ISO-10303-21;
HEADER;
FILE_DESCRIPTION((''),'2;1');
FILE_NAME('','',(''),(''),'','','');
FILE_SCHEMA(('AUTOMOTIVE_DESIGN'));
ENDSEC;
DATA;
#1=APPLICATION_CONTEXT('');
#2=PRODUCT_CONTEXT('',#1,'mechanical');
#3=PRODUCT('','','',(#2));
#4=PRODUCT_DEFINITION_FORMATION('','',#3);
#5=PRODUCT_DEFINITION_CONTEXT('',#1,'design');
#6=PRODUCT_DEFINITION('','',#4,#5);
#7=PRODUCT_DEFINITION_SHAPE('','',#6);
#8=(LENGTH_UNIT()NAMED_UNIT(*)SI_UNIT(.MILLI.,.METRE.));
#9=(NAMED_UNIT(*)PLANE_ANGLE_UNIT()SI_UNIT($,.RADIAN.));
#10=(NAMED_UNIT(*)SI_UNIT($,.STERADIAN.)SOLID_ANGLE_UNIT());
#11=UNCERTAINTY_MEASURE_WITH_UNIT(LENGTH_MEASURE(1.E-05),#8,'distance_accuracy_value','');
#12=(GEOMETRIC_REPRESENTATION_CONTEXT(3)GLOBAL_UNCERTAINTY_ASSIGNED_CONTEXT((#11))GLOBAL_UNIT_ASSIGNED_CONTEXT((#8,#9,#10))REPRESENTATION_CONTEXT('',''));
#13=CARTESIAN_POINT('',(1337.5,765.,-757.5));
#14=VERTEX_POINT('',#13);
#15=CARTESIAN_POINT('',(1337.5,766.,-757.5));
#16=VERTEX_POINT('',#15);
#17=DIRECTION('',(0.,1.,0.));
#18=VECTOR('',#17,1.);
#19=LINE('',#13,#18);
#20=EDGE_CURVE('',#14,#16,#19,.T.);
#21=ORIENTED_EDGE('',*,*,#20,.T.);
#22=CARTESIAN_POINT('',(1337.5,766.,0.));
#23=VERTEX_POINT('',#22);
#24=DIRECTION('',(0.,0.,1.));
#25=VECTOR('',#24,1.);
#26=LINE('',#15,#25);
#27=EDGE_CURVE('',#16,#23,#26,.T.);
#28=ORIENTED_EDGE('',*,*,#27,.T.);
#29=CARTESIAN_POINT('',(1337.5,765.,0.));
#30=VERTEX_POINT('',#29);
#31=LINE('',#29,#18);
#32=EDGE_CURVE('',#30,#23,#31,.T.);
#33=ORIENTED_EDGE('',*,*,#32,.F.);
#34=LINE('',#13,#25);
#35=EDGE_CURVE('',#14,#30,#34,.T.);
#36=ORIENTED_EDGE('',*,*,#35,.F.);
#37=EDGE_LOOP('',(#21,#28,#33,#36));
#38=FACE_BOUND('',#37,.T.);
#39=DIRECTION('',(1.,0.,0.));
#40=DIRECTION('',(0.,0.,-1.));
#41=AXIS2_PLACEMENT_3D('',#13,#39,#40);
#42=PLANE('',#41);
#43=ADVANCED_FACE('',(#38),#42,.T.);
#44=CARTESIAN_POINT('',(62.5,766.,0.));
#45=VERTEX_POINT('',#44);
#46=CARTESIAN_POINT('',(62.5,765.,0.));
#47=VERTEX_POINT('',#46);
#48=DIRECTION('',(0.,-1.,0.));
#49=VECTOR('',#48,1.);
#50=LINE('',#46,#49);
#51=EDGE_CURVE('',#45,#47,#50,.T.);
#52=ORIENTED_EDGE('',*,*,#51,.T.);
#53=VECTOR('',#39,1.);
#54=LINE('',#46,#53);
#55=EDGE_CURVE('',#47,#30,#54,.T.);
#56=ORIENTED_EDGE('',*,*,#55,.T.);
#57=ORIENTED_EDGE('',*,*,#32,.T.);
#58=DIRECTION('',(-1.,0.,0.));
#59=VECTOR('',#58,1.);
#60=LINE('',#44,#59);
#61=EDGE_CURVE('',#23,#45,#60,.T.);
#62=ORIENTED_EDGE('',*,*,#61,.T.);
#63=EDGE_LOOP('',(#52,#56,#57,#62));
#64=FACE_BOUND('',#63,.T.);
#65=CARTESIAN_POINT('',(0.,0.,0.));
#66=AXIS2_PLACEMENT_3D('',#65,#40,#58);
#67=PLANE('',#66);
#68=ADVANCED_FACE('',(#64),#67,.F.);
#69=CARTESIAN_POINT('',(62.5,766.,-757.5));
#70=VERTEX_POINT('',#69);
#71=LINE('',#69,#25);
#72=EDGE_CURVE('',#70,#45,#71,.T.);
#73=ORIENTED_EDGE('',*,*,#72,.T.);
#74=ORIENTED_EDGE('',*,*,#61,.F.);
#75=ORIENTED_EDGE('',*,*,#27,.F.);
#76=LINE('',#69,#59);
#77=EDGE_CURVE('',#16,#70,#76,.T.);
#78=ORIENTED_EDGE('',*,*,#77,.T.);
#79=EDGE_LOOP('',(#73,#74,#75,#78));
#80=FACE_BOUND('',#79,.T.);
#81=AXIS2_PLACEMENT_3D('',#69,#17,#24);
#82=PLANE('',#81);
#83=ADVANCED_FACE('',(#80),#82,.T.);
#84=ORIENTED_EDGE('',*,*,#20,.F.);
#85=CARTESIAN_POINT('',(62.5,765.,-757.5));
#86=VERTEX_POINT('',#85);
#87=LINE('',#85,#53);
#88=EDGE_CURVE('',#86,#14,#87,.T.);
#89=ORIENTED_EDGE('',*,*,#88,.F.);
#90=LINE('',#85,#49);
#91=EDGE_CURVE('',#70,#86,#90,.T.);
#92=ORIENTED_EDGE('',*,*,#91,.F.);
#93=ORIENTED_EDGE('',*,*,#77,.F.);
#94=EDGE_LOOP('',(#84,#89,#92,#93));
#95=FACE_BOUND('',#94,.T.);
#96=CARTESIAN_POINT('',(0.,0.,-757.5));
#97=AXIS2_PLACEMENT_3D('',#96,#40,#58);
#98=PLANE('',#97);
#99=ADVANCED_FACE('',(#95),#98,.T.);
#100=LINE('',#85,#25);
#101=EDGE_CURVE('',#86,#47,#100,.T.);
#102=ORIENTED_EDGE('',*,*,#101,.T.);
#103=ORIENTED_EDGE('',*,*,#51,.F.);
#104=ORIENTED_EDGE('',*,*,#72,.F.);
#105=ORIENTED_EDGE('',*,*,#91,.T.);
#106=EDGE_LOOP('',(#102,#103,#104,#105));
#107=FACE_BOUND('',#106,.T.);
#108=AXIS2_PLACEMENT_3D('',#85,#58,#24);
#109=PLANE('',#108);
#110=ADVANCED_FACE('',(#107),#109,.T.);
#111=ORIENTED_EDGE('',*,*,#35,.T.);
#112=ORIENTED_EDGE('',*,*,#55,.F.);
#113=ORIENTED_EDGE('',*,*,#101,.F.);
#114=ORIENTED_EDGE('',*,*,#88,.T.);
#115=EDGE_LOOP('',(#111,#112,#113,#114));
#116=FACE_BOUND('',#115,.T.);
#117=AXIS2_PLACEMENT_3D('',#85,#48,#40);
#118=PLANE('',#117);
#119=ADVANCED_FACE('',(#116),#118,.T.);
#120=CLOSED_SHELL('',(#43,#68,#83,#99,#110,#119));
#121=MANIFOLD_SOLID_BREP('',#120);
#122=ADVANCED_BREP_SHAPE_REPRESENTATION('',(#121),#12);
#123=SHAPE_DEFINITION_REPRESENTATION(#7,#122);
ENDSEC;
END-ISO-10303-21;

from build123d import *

# Parameters (mm, degrees)
SKETCH1_W                     = 1275
SKETCH1_H                     = 1
STORE_AYIRICI_SAC_UST_1_DEPTH = 757.5


with BuildPart() as part:
    # Sketch1 → STORE_ayirici_sac_ust_1 (new body)
    with BuildSketch(Plane.XY):
        with Locations((700, 765.5)):
            Rectangle(SKETCH1_W, SKETCH1_H)
    extrude(amount=-STORE_AYIRICI_SAC_UST_1_DEPTH)


solid = part.part
